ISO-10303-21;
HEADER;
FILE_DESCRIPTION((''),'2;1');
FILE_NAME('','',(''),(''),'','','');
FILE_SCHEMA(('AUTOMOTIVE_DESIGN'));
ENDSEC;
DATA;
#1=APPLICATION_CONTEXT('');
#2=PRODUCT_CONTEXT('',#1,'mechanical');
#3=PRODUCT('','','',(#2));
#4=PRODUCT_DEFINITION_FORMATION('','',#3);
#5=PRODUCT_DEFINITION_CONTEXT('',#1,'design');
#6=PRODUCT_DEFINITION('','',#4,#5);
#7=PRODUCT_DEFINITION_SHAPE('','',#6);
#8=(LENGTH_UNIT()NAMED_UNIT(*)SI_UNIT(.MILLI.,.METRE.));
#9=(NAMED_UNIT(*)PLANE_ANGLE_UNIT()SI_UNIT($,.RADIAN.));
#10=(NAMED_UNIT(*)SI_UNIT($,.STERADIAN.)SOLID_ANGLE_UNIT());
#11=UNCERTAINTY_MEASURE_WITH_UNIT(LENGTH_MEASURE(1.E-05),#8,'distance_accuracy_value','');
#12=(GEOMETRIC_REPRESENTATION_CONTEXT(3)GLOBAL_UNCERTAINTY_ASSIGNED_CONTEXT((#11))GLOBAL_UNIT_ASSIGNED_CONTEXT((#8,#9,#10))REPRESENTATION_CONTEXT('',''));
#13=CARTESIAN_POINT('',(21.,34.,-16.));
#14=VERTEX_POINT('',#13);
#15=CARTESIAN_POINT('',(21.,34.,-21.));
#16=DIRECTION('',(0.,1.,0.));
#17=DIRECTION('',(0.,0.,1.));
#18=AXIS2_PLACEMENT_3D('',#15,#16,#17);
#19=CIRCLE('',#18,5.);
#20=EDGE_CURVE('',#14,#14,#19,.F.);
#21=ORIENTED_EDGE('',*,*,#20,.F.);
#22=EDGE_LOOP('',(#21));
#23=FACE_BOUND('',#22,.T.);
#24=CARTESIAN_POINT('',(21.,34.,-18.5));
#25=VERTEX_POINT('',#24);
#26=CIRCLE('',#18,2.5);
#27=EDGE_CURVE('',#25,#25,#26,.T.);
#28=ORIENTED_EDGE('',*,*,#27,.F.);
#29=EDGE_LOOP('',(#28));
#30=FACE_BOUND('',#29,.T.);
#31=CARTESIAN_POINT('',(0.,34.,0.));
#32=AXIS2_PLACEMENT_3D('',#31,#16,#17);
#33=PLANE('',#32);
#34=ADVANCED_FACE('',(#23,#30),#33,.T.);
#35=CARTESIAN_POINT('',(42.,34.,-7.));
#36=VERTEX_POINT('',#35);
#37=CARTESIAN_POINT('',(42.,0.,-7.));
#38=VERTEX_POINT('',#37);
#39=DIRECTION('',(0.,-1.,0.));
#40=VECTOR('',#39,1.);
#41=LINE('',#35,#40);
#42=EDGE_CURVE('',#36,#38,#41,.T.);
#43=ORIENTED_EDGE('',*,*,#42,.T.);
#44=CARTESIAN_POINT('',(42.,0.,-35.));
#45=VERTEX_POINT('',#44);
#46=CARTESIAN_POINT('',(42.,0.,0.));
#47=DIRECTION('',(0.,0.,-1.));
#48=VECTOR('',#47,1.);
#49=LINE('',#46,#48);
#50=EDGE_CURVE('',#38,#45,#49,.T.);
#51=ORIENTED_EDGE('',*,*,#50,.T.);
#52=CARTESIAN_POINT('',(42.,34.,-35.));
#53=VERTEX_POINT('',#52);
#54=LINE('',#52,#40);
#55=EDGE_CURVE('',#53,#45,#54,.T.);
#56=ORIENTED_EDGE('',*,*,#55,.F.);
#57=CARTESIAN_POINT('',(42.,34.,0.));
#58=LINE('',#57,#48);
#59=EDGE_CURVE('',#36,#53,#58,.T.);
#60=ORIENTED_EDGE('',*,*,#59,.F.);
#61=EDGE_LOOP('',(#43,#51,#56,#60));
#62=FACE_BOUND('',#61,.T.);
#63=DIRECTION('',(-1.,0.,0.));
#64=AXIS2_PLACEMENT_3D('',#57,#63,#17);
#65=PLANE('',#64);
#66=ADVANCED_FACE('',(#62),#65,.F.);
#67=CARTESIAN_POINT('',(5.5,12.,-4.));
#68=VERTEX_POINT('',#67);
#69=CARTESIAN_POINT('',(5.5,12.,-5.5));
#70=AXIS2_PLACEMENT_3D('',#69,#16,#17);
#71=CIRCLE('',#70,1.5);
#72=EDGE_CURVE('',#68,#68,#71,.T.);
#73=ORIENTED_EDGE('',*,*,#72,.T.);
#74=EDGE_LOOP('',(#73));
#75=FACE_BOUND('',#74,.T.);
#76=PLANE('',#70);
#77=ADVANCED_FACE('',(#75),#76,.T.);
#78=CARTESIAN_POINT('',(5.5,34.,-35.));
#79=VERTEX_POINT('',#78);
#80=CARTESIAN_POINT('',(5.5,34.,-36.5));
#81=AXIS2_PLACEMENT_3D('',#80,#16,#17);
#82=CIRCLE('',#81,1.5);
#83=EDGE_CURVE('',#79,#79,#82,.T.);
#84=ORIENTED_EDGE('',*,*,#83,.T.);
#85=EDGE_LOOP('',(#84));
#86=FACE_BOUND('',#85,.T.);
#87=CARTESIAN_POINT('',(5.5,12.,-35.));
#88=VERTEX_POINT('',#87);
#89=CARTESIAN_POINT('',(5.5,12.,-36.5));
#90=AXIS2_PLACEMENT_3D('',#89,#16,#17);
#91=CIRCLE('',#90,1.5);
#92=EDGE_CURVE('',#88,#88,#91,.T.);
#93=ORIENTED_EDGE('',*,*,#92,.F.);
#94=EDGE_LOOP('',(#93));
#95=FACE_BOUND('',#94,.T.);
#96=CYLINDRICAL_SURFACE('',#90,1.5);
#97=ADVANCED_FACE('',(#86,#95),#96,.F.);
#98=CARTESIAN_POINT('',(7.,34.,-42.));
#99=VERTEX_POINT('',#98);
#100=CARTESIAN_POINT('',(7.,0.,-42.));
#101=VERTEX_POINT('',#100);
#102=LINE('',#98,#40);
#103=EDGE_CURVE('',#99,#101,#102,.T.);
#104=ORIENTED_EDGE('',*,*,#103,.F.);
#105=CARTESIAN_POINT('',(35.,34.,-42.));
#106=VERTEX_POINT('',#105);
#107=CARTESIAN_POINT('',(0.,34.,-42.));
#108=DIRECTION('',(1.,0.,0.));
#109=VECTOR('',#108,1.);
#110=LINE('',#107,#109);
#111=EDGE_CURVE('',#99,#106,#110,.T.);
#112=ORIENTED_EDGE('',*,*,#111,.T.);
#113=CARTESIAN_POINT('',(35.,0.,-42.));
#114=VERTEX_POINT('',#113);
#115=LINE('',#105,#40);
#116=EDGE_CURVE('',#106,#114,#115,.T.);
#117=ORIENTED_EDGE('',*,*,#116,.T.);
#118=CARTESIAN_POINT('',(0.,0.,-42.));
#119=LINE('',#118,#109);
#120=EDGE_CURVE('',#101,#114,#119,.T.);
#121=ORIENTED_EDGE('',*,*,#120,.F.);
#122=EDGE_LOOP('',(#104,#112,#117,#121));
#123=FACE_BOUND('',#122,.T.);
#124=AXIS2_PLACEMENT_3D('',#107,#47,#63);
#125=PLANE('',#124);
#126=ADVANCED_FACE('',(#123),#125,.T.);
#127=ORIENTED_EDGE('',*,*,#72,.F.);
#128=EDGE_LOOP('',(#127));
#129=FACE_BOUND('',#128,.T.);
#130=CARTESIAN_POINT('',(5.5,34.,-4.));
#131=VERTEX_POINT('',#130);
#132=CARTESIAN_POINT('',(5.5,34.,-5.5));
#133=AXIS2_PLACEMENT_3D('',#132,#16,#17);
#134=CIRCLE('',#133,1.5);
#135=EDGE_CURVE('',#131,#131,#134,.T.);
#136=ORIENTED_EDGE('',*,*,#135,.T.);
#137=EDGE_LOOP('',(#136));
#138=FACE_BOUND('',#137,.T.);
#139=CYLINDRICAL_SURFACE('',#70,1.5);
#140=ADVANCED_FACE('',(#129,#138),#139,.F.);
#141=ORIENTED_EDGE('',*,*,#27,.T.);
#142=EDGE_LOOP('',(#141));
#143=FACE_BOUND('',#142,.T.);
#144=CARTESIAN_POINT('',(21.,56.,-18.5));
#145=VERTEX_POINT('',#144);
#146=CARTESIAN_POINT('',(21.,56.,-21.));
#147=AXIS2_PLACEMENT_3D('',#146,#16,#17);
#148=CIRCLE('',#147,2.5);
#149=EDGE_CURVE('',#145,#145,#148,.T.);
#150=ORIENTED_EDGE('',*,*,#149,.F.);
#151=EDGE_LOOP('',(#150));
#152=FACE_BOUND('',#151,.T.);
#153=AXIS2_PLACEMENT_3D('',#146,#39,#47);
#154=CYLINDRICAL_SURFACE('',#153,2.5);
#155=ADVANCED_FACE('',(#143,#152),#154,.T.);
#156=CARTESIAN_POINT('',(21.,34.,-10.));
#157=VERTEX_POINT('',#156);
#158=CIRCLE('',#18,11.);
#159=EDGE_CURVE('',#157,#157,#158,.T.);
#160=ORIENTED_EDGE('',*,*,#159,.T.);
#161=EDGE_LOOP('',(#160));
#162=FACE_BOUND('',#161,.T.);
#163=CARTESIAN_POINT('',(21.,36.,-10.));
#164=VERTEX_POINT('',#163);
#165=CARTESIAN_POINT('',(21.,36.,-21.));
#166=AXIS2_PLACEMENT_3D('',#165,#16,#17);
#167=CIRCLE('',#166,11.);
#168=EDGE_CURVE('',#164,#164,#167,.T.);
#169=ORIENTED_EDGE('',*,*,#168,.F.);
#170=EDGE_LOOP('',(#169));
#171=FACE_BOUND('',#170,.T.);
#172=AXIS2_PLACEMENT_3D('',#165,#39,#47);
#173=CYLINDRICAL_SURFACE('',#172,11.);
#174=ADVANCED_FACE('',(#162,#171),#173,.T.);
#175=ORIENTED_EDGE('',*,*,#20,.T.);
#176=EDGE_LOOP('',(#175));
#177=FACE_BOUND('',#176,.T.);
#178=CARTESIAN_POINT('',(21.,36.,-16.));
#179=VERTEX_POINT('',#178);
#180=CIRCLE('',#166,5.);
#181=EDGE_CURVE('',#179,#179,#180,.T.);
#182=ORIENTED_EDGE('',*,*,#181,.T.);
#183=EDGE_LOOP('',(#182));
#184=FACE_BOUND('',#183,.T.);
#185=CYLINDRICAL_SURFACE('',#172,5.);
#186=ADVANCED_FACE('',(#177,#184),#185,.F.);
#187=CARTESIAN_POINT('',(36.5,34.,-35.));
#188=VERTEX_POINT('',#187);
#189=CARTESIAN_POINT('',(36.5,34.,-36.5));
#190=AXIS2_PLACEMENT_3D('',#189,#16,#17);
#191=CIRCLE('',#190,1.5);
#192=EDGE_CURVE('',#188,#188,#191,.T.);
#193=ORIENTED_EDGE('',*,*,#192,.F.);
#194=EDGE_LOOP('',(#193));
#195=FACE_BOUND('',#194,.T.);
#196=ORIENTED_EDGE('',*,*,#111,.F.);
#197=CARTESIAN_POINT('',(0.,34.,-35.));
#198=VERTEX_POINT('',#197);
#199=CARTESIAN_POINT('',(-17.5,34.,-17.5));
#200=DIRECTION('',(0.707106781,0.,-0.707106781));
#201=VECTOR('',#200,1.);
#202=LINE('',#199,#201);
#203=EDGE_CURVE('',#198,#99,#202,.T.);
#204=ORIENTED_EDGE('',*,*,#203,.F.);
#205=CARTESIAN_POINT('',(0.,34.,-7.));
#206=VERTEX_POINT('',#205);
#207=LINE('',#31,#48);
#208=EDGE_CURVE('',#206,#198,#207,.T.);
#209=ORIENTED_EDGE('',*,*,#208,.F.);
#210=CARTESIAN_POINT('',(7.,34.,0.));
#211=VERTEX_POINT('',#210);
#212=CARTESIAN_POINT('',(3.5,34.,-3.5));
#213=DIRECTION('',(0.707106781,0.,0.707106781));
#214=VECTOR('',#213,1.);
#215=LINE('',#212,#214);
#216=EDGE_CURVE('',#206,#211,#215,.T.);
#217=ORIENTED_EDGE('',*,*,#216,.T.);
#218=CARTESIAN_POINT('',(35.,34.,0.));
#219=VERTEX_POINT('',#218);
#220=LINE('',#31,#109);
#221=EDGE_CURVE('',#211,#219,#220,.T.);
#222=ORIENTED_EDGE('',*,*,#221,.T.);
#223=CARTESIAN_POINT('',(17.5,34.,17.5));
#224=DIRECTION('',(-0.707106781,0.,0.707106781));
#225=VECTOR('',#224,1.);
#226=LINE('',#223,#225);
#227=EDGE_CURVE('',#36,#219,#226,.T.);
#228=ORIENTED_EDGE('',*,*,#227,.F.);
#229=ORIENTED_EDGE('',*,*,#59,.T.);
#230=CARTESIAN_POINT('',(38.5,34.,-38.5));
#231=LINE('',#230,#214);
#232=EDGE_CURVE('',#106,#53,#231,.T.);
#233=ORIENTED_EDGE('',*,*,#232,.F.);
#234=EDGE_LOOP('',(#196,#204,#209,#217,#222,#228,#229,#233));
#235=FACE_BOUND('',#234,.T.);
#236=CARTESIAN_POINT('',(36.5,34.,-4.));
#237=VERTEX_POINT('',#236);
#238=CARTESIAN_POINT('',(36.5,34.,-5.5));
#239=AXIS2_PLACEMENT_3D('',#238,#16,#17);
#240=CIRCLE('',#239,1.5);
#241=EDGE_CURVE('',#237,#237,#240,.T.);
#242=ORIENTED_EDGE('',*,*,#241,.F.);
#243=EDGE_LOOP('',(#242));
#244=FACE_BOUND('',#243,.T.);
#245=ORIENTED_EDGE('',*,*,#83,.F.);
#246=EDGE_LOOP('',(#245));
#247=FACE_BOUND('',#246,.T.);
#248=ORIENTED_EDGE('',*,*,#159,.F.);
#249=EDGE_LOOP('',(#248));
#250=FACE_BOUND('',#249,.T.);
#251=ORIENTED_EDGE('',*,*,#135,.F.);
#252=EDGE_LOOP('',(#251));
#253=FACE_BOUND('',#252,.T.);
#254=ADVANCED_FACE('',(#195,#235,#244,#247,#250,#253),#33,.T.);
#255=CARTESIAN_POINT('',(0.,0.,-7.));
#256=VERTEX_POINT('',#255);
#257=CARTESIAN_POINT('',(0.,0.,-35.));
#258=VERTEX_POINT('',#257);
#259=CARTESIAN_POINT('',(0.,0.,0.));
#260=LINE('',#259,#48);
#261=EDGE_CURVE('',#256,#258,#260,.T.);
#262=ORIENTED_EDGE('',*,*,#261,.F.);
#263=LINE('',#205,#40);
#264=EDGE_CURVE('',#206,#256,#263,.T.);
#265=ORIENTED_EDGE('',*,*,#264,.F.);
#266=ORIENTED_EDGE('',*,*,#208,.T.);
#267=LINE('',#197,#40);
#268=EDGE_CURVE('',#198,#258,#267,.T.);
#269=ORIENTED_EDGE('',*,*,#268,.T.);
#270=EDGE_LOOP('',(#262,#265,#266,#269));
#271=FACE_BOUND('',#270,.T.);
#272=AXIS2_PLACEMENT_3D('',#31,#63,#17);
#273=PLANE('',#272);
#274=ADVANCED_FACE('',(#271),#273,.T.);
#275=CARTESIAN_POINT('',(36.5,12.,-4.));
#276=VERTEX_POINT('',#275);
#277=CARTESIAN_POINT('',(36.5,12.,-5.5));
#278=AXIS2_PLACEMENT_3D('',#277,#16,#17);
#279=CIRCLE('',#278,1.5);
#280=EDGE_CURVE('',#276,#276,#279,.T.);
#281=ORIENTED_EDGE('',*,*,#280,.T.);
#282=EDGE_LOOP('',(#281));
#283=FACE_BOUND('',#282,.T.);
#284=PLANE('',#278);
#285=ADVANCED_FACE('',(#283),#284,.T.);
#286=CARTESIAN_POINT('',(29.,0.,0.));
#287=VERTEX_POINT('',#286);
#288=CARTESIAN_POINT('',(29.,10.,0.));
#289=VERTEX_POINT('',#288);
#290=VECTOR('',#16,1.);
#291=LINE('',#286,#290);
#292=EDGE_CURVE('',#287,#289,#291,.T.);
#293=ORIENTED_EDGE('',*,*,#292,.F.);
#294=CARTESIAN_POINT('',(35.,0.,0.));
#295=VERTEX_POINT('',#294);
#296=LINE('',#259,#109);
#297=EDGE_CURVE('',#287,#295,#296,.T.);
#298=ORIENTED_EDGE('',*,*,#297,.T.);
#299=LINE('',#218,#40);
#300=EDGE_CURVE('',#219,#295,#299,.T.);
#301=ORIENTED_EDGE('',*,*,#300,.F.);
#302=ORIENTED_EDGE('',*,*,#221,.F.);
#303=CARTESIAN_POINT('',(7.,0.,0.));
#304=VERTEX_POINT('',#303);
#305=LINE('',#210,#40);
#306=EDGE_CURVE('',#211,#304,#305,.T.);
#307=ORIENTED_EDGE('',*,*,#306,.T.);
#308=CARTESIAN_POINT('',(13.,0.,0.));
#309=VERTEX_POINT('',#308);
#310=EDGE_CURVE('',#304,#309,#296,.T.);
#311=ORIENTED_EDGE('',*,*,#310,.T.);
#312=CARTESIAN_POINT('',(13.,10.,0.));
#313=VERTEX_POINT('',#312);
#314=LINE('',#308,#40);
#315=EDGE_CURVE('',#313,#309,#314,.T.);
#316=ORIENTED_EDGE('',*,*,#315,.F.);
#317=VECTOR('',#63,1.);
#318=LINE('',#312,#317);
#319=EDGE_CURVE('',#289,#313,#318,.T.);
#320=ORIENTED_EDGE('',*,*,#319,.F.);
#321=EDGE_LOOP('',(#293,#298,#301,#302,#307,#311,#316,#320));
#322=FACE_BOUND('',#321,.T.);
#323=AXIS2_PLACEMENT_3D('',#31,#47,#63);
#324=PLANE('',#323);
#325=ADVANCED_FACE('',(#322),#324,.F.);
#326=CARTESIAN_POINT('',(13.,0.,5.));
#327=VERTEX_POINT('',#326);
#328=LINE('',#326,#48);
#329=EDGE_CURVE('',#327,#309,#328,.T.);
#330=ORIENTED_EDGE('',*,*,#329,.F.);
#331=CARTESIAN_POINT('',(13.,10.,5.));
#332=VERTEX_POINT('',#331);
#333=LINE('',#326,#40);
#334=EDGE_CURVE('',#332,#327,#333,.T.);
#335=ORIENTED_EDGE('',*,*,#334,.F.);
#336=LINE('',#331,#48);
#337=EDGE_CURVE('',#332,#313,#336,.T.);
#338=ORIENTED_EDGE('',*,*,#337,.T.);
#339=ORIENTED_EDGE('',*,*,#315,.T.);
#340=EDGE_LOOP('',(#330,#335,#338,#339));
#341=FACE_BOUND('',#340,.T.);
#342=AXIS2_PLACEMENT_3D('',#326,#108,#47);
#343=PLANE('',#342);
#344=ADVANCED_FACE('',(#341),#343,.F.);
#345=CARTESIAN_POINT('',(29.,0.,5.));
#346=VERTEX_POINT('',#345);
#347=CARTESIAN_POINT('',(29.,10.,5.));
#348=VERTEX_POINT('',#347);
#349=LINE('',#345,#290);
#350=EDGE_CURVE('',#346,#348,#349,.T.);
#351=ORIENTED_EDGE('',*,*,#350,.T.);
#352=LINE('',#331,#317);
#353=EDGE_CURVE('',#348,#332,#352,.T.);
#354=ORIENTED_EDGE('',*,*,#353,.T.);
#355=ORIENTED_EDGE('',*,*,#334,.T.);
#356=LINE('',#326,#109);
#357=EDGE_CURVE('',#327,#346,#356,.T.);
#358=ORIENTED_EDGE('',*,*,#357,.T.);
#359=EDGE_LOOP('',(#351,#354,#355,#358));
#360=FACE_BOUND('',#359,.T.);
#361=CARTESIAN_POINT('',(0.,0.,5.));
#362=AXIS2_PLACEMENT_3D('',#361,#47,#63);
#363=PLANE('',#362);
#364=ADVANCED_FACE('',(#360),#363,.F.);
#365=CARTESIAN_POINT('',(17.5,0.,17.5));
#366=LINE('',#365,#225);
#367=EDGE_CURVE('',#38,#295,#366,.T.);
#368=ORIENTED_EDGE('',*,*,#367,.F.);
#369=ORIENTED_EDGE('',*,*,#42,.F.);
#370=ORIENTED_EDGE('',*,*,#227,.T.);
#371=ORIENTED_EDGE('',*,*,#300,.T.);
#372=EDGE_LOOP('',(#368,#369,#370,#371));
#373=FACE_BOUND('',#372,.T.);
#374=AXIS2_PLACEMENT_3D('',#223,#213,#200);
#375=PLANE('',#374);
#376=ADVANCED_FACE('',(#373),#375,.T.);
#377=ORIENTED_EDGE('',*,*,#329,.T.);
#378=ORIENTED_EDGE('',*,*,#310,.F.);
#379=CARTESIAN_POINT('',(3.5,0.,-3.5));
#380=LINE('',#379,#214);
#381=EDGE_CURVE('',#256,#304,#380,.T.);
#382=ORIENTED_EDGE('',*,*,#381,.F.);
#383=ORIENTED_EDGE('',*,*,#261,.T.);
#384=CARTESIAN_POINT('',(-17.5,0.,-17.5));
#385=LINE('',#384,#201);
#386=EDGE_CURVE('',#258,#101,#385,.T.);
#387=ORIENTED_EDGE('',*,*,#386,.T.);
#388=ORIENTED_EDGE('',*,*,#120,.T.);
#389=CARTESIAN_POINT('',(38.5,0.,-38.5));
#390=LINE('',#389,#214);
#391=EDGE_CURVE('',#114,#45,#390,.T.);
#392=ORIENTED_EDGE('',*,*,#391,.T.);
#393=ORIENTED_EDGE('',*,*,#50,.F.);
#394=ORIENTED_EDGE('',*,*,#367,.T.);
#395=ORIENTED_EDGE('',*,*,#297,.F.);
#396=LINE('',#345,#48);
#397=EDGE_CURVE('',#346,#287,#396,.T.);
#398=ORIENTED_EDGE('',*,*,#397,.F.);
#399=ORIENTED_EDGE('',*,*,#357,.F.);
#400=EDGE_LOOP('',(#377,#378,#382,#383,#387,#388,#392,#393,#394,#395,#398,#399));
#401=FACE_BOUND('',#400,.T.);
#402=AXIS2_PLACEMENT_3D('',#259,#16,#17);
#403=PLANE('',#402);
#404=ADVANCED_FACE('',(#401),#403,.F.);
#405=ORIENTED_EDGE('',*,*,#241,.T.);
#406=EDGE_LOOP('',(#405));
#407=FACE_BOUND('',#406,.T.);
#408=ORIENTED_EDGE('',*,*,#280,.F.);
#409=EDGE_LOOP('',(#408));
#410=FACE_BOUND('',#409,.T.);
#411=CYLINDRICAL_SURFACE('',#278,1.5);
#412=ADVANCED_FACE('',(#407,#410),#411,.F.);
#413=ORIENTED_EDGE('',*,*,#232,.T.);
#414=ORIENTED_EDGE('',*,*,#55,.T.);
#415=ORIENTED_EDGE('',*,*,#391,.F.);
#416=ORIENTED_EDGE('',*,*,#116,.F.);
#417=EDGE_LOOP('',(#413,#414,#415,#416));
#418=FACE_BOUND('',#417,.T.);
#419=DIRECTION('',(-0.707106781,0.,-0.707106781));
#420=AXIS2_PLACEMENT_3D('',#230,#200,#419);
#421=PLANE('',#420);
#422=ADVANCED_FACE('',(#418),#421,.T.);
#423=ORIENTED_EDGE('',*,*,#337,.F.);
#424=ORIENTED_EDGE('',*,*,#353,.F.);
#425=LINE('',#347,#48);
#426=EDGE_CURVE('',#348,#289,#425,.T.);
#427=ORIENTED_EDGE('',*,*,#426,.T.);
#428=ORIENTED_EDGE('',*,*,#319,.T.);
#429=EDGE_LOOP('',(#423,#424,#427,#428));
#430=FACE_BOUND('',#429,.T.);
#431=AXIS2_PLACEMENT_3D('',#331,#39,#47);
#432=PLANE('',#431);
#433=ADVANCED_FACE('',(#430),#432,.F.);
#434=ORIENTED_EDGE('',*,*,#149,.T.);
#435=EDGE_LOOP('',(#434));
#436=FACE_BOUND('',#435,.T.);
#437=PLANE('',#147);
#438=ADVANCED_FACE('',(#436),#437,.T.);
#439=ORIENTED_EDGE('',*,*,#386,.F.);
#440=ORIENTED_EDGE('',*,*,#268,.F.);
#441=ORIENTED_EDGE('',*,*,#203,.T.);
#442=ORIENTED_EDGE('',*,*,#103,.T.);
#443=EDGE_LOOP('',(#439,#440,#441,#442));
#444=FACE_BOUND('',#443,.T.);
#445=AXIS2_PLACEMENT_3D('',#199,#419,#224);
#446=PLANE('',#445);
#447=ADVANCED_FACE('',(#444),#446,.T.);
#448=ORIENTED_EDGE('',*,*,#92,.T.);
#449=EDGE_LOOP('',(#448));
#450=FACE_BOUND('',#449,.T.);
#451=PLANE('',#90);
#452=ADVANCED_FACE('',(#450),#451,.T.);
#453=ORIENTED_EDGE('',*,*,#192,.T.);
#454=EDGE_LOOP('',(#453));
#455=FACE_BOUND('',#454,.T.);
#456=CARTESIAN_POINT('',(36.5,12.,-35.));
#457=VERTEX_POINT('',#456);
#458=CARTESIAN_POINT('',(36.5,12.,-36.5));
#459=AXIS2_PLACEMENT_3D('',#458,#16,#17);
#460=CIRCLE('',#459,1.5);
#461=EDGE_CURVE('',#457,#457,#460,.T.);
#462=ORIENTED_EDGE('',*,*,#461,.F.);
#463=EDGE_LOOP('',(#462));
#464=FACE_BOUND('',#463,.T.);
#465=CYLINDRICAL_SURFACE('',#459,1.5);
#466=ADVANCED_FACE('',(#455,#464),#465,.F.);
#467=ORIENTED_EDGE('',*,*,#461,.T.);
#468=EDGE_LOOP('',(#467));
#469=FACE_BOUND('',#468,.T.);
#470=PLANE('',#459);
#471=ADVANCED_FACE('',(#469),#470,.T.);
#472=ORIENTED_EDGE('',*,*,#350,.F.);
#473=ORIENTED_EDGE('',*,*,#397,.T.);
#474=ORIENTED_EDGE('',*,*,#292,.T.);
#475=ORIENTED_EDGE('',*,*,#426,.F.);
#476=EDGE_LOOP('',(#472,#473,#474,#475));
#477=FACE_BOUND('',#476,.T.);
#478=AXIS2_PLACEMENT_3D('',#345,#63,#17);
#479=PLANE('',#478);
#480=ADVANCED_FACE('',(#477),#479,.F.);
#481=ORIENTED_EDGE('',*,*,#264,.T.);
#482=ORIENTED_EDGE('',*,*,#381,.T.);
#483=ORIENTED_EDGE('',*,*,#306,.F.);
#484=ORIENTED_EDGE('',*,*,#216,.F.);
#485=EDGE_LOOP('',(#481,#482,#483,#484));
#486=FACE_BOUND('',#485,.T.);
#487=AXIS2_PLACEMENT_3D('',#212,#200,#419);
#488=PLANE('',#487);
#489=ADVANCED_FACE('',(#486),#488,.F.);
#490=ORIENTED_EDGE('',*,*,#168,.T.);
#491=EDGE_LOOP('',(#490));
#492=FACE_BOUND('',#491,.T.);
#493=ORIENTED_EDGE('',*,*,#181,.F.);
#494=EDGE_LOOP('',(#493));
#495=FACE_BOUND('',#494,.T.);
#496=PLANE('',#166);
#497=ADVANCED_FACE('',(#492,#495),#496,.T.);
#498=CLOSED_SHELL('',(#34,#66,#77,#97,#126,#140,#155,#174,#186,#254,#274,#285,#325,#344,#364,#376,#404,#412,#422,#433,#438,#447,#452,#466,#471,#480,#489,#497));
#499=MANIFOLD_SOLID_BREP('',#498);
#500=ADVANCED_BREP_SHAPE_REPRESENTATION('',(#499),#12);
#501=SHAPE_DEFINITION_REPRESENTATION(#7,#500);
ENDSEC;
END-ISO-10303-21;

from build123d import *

# Parameters (mm, degrees)
BOSS_EXTRUDE1_DEPTH = 34
SKETCH2_W           = 16
SKETCH2_H           = 10
BOSS_EXTRUDE2_DEPTH = 5
SKETCH3_R           = 11
SKETCH3_R_2         = 5
BOSS_EXTRUDE3_DEPTH = 2
SKETCH4_R           = 2.5
BOSS_EXTRUDE4_DEPTH = 22
SKETCH5_R           = 1.5
CUT_EXTRUDE1_DEPTH  = 22


with BuildPart() as part:
    # Sketch1 → Boss-Extrude1 (new body)
    with BuildSketch(Plane(origin=(0, 0, 0), x_dir=(1, 0, 0), z_dir=(0, 1, 0))):
        Polygon((7, 42), (0, 35), (0, 7), (7, 0), (35, 0), (42, 7), (42, 35), (35, 42), align=None)
    extrude(amount=BOSS_EXTRUDE1_DEPTH)

    # Sketch2 → Boss-Extrude2 (add)
    with BuildSketch(Plane.XY):
        with Locations((21, 5)):
            Rectangle(SKETCH2_W, SKETCH2_H)
    extrude(amount=BOSS_EXTRUDE2_DEPTH)

    # Sketch3 → Boss-Extrude3 (add)
    with BuildSketch(Plane(origin=(0, 34, 0), x_dir=(1, 0, 0), z_dir=(0, 1, 0))):
        with Locations(Location((21, 21, 0), (0, 0, 270))):
            Circle(SKETCH3_R)
        with Locations(Location((21, 21, 0), (0, 0, 270))):
            Circle(SKETCH3_R_2, mode=Mode.SUBTRACT)
    extrude(amount=BOSS_EXTRUDE3_DEPTH)

    # Sketch4 → Boss-Extrude4 (add)
    with BuildSketch(Plane(origin=(0, 34, 0), x_dir=(1, 0, 0), z_dir=(0, 1, 0))):
        with Locations(Location((21, 21, 0), (0, 0, 270))):
            Circle(SKETCH4_R)
    extrude(amount=BOSS_EXTRUDE4_DEPTH)

    # Sketch5 → Cut-Extrude1 (cut)
    with BuildSketch(Plane(origin=(0, 34, 0), x_dir=(1, 0, 0), z_dir=(0, 1, 0))):
        with Locations(Location((5.5, 36.5, 0), (0, 0, 270))):
            Circle(SKETCH5_R)
        with Locations(Location((5.5, 5.5, 0), (0, 0, 270))):
            Circle(SKETCH5_R)
        with Locations(Location((36.5, 5.5, 0), (0, 0, 270))):
            Circle(SKETCH5_R)
        with Locations(Location((36.5, 36.5, 0), (0, 0, 270))):
            Circle(SKETCH5_R)
    extrude(amount=-CUT_EXTRUDE1_DEPTH, mode=Mode.SUBTRACT)


solid = part.part
